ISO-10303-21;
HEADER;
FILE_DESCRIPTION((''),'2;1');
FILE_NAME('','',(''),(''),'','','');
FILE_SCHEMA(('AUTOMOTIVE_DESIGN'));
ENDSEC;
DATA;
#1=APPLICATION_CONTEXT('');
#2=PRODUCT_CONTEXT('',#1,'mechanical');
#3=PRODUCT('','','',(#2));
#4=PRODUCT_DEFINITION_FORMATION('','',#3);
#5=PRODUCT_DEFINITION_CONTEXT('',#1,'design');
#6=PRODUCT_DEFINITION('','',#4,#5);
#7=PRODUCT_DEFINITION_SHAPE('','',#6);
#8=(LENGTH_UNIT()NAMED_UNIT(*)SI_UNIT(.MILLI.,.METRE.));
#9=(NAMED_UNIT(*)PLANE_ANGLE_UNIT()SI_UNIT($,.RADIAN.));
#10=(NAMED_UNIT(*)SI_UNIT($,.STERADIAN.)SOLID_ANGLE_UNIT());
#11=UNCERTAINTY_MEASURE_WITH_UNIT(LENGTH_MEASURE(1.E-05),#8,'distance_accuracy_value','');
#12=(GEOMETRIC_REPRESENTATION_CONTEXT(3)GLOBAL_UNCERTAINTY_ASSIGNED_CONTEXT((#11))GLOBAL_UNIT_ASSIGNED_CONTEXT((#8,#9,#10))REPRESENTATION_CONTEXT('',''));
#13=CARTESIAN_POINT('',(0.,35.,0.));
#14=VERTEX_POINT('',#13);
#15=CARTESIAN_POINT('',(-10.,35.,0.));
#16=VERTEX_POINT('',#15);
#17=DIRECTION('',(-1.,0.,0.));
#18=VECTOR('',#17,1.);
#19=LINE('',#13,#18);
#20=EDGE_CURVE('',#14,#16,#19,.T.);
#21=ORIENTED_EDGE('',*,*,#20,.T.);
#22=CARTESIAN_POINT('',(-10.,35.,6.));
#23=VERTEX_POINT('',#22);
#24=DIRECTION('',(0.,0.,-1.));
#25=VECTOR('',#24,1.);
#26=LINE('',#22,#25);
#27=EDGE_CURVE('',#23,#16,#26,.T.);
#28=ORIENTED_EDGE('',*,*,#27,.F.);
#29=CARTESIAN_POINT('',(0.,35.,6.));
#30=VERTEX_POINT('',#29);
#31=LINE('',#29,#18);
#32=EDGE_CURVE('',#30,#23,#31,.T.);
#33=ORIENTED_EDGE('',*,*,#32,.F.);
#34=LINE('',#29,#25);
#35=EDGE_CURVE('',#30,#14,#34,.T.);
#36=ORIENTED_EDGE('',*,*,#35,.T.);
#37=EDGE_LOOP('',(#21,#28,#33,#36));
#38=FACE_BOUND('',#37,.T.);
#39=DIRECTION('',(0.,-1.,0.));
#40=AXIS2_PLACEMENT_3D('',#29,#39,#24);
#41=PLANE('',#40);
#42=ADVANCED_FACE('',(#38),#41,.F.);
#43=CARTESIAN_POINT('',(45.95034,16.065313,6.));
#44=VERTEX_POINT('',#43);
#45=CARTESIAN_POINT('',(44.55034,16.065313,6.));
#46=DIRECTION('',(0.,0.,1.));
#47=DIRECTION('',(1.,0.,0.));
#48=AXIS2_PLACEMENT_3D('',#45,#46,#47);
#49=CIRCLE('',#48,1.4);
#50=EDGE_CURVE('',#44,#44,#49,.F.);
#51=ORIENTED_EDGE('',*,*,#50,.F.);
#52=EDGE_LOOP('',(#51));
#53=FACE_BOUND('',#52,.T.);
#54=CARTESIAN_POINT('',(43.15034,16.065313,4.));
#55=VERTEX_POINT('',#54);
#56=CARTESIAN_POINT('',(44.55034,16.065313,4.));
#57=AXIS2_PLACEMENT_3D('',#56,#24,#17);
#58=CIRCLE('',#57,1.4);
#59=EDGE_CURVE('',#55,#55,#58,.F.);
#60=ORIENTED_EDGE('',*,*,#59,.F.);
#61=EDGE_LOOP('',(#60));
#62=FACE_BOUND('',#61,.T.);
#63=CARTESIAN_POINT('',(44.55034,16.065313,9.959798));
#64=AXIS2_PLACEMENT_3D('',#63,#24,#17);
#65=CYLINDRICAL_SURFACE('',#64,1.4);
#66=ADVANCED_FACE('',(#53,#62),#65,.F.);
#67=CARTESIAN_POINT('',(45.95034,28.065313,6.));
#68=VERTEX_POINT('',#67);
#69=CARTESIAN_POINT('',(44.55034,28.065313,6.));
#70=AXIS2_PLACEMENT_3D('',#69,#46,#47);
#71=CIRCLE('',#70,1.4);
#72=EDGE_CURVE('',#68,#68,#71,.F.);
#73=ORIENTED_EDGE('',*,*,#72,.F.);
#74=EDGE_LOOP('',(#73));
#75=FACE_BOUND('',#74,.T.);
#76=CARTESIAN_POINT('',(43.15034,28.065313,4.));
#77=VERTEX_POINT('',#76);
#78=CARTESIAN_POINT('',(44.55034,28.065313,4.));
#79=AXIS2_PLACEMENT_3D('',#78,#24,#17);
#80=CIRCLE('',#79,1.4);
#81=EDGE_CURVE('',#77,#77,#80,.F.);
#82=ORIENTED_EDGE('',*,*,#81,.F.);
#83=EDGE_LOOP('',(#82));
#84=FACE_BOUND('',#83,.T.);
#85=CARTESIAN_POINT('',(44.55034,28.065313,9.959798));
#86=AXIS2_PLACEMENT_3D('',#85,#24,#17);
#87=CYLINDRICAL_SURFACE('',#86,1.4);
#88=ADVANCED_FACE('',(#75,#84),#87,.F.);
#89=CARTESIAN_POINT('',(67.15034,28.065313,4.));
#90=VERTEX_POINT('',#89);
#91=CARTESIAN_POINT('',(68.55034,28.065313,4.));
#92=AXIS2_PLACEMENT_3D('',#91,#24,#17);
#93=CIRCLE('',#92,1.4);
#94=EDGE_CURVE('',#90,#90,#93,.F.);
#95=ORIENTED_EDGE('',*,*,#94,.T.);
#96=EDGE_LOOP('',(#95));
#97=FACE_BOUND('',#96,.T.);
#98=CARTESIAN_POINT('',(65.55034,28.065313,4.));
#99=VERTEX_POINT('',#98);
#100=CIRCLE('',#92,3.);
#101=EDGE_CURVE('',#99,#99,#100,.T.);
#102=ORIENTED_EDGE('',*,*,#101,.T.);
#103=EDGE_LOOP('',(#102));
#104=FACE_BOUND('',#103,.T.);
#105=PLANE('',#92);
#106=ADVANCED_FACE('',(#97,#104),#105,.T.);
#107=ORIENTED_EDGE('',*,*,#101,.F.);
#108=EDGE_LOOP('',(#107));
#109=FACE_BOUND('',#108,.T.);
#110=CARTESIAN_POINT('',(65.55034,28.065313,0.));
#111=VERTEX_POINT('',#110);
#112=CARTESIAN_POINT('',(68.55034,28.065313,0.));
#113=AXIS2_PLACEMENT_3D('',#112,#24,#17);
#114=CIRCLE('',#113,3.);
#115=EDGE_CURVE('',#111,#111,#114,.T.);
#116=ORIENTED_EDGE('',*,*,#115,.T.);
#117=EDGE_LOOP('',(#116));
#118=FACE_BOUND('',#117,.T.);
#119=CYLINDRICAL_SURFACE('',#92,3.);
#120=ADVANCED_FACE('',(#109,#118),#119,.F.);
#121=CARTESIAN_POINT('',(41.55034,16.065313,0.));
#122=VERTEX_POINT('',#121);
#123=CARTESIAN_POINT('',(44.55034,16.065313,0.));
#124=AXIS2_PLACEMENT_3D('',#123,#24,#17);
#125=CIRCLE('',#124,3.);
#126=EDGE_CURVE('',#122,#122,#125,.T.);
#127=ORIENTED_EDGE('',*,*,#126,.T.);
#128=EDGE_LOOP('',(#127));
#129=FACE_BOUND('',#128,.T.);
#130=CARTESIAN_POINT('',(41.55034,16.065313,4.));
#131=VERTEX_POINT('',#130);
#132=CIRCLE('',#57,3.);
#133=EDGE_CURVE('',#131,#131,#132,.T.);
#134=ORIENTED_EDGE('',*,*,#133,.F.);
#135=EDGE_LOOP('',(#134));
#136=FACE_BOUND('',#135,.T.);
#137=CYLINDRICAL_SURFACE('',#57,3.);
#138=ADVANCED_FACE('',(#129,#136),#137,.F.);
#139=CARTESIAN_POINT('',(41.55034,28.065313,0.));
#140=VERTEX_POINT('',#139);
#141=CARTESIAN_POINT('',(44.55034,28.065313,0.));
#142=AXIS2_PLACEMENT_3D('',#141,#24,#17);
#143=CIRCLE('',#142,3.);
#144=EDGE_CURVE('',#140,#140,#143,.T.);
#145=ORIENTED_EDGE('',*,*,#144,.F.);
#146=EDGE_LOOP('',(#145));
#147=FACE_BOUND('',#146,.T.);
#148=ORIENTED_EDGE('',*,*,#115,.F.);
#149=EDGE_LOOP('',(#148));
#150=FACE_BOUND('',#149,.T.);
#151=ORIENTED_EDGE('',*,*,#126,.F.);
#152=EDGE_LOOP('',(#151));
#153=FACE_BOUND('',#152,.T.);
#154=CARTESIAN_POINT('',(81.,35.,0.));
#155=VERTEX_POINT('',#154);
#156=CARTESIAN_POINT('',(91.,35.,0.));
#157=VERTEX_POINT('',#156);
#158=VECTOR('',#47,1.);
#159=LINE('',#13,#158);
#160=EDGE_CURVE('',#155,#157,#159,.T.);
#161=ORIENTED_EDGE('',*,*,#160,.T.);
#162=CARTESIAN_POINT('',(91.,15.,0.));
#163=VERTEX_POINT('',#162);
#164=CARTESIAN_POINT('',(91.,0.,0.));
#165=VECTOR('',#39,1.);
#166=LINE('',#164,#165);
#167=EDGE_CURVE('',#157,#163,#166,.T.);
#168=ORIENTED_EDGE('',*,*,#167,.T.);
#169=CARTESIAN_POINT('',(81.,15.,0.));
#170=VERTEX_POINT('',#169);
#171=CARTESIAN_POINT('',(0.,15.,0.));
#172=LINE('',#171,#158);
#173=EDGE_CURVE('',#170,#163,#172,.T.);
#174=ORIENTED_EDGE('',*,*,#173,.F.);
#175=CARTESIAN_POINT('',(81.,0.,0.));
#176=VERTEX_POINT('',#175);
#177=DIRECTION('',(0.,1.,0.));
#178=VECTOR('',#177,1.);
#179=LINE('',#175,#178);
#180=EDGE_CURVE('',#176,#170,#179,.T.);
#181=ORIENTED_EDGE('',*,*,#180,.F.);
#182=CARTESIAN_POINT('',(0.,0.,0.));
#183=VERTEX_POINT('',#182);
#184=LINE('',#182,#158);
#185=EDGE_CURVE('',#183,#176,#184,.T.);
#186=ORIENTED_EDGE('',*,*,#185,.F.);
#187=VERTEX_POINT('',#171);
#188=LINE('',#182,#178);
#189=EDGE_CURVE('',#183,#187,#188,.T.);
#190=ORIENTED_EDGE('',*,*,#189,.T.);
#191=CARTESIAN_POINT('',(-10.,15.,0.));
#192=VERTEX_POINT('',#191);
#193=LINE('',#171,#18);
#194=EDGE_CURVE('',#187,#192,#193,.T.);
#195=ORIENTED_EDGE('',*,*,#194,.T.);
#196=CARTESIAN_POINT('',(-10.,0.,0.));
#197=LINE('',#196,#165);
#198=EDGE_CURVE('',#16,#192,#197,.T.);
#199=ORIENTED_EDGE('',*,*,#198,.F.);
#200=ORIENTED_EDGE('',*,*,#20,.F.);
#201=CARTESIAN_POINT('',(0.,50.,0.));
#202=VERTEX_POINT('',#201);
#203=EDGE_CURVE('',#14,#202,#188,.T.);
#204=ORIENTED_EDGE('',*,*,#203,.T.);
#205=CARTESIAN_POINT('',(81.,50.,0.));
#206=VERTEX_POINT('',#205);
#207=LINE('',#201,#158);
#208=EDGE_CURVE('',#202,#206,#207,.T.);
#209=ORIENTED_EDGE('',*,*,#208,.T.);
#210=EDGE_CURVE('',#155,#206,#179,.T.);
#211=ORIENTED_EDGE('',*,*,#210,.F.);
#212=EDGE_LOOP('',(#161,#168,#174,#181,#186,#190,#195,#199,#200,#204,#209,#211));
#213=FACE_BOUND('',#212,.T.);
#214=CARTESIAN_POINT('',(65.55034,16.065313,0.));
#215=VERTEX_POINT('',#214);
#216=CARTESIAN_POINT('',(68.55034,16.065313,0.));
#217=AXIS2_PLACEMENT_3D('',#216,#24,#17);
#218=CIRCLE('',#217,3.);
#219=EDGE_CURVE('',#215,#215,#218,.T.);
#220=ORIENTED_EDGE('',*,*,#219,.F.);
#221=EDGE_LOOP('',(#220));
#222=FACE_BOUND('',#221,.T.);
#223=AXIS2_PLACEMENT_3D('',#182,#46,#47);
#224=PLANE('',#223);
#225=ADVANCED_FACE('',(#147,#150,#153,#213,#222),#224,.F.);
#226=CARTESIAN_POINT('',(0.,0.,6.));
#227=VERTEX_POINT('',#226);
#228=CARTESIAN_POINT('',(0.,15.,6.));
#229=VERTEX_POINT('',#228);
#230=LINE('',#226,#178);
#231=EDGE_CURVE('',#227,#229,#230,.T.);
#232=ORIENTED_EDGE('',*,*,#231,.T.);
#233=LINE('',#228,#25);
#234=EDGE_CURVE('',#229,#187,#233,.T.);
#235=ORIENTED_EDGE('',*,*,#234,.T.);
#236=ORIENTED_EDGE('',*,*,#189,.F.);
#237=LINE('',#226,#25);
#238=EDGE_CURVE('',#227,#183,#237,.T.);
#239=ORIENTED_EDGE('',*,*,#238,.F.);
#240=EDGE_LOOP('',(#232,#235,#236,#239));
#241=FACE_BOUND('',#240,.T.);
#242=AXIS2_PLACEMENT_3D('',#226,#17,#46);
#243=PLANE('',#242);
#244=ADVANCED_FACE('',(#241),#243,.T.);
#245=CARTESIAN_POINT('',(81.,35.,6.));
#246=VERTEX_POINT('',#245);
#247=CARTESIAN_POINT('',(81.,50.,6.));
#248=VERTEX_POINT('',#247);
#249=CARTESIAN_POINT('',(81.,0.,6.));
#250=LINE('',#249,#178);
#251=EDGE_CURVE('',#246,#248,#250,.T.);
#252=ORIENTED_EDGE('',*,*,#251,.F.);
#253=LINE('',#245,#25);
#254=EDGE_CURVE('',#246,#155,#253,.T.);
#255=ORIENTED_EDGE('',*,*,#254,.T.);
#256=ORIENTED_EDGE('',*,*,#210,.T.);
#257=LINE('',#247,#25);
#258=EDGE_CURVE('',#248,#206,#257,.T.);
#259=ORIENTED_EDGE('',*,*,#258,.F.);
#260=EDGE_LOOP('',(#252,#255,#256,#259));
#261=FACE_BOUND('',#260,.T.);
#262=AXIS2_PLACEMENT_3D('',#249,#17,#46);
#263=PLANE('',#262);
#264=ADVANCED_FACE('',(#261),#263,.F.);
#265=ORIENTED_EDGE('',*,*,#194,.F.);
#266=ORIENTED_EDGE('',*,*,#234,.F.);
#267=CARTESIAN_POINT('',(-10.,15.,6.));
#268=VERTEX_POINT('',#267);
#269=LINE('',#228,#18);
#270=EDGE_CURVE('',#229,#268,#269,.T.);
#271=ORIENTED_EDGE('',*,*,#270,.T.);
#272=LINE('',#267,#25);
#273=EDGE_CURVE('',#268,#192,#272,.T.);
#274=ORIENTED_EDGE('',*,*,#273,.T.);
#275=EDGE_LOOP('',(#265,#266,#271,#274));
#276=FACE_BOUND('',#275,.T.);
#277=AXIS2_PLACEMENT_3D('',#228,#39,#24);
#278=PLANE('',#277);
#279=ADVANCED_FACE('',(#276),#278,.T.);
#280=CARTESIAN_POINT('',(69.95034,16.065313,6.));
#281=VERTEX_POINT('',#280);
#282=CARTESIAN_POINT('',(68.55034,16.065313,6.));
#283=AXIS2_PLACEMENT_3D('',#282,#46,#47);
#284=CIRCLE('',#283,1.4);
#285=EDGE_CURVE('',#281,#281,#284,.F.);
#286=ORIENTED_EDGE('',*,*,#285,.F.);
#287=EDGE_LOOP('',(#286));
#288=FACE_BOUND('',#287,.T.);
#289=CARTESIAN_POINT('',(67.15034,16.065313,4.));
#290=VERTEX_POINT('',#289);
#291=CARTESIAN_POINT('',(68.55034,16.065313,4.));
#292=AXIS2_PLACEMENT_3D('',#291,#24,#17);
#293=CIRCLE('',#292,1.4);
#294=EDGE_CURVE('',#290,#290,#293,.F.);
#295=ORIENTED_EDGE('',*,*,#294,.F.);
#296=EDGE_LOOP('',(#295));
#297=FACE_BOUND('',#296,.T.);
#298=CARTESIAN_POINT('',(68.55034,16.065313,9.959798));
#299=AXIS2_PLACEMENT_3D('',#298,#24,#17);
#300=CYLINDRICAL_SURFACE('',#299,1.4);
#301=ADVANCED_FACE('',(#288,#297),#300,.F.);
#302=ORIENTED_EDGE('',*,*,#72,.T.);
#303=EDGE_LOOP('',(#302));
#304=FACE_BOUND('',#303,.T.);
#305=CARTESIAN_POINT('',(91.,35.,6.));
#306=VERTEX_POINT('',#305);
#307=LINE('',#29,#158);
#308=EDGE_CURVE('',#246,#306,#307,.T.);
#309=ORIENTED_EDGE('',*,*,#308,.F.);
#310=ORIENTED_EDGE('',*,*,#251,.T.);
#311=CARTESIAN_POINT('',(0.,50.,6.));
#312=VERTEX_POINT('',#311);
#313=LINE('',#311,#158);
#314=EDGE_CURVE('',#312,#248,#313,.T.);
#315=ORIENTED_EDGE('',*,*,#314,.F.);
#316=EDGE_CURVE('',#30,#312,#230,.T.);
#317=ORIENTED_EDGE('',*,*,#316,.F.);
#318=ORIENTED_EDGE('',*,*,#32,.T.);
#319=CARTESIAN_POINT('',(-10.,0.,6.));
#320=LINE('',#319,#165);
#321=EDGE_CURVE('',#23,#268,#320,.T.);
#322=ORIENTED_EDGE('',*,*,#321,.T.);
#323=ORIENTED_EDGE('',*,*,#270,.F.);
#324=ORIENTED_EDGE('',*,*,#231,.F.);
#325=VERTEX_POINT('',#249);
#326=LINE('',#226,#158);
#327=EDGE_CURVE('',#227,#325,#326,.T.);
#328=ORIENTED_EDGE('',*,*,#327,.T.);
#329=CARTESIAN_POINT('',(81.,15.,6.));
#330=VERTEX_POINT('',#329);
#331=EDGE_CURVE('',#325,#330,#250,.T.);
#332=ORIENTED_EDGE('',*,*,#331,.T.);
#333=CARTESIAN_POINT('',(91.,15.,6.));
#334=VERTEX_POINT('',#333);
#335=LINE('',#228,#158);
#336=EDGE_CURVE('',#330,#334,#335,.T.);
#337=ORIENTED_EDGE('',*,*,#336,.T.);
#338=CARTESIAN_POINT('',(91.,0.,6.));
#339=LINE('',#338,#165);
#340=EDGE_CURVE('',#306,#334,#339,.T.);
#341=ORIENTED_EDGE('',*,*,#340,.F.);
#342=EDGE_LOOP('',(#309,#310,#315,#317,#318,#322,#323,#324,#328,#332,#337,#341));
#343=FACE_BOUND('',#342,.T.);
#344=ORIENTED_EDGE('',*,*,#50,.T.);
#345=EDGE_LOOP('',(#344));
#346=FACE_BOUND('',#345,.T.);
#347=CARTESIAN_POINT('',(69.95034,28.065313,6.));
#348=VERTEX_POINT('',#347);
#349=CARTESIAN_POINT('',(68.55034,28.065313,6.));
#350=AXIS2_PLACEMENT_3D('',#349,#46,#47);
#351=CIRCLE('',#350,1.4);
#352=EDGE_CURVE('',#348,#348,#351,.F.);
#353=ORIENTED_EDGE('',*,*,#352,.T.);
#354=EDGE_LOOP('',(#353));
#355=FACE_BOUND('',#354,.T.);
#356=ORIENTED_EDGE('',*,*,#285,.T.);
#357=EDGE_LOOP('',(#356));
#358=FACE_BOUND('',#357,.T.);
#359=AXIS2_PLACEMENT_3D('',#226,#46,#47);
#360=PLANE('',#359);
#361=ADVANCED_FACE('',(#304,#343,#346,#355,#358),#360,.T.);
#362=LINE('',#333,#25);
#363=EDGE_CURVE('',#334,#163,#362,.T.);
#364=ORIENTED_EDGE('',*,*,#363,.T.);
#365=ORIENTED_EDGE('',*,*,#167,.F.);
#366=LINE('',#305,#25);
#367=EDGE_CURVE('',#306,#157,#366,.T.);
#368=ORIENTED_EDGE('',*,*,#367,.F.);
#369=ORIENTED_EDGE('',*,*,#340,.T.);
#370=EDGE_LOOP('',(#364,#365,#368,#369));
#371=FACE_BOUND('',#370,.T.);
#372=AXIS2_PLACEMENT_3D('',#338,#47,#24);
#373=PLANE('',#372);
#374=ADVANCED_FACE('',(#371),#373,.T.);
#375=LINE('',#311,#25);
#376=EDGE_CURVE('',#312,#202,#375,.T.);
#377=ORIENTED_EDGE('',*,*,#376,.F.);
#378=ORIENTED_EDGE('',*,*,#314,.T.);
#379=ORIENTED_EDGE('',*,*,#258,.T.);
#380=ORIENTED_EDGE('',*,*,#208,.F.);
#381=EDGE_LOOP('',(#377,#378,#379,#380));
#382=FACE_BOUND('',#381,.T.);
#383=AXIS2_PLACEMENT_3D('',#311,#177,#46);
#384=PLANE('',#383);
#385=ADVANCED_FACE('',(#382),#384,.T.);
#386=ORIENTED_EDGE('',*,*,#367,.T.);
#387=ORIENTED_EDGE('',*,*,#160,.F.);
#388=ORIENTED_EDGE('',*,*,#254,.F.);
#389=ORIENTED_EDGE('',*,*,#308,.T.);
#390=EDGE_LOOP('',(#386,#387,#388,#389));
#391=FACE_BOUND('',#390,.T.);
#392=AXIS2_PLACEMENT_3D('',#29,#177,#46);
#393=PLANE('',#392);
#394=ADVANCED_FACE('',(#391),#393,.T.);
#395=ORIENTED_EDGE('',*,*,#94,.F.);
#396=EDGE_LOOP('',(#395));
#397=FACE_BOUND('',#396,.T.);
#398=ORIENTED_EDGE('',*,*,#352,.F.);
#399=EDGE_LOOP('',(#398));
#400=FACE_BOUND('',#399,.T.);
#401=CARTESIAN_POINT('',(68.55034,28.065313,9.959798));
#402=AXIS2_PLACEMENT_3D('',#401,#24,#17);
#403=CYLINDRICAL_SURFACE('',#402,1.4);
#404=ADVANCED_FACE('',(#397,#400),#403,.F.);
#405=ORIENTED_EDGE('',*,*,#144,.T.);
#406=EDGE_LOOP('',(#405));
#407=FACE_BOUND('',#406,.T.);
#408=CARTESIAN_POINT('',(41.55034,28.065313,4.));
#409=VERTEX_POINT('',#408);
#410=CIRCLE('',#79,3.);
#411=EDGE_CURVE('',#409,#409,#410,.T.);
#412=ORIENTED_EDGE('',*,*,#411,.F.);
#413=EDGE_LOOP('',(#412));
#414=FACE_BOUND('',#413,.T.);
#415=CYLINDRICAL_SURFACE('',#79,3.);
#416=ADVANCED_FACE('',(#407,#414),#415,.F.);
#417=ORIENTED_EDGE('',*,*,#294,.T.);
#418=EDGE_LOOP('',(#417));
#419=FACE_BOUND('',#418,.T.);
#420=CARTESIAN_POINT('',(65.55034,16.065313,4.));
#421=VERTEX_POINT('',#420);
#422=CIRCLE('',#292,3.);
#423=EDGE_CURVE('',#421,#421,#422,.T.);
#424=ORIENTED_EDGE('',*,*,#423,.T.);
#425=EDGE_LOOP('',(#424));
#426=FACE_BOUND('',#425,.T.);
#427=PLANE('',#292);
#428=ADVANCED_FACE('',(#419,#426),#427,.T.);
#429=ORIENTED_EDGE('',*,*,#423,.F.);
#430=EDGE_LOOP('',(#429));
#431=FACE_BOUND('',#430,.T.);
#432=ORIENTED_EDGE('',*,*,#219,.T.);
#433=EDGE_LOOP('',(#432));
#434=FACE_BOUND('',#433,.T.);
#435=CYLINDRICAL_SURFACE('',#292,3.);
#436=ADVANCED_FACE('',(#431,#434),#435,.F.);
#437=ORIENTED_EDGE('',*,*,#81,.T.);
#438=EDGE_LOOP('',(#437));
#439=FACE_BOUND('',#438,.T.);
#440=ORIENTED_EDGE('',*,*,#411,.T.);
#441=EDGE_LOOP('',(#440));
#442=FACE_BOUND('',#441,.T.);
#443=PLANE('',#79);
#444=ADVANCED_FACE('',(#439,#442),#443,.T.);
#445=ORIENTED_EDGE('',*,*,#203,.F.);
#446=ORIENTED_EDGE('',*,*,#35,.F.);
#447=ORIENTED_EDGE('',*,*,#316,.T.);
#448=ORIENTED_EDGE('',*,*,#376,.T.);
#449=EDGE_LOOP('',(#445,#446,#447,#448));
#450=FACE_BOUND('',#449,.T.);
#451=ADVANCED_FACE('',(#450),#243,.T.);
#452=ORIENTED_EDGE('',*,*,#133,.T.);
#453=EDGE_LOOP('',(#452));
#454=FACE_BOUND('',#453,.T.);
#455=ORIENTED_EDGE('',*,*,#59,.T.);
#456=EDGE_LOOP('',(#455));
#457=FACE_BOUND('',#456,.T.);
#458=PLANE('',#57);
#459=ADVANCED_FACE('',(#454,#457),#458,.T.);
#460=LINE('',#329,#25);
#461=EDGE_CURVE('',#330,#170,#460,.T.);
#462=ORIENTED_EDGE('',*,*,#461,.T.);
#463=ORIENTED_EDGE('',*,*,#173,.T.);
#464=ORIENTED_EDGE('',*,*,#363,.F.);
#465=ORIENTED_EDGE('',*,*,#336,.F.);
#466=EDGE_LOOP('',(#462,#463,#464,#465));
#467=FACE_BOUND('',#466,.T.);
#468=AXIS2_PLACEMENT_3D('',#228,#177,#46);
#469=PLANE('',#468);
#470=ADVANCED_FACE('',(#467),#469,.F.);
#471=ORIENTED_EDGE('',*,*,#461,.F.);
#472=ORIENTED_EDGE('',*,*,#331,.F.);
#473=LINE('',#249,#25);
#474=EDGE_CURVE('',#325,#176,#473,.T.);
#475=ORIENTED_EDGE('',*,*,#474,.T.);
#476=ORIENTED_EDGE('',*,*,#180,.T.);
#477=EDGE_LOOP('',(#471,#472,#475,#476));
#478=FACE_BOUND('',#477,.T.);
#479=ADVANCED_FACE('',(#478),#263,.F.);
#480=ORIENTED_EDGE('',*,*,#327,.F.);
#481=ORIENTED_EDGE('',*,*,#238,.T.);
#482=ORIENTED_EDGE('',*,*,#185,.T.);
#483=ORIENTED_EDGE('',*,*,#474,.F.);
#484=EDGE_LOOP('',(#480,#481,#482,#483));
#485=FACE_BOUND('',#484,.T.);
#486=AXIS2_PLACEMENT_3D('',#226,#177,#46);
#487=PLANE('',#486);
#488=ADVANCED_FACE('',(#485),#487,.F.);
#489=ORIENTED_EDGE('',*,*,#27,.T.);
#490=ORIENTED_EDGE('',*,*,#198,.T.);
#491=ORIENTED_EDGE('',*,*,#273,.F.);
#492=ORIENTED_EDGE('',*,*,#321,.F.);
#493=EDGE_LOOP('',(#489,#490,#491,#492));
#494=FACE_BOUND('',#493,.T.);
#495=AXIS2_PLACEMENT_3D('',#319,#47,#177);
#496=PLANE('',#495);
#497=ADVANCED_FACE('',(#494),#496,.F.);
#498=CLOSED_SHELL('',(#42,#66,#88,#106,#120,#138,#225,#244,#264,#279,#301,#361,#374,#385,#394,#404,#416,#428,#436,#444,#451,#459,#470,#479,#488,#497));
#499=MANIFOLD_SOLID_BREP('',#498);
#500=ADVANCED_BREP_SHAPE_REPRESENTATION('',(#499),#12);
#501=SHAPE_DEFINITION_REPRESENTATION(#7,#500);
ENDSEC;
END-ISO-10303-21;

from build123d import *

# Parameters (mm, degrees)
ESQUISSE1_W             = 10
ESQUISSE1_H             = 20
ESQUISSE1_W_2           = 81
ESQUISSE1_H_2           = 50
BOSS_EXTRU_1_DEPTH      = 6
ESQUISSE2_R             = 1.4
ENL_V_MAT_EXTRU_1_DEPTH = 6
ESQUISSE3_R             = 3
ENL_V_MAT_EXTRU_2_DEPTH = 4


with BuildPart() as part:
    # Esquisse1 → Boss.-Extru.1 (new body)
    with BuildSketch(Plane.XY):
        with Locations((-5, 25)):
            Rectangle(ESQUISSE1_W, ESQUISSE1_H)
        with Locations((40.5, 25)):
            Rectangle(ESQUISSE1_W_2, ESQUISSE1_H_2)
        with Locations((86, 25)):
            Rectangle(ESQUISSE1_W, ESQUISSE1_H)
    extrude(amount=BOSS_EXTRU_1_DEPTH)

    # Esquisse2 → Enlèv. mat.-Extru.1 (cut)
    with BuildSketch(Plane(origin=(0, 0, 0), x_dir=(-1, 0, 0), z_dir=(0, 0, -1))):
        with Locations((-44.550340057, 16.065313345)):
            Circle(ESQUISSE2_R)
        with Locations((-44.550340057, 28.065313345)):
            Circle(ESQUISSE2_R)
        with Locations((-68.550340057, 28.065313345)):
            Circle(ESQUISSE2_R)
        with Locations((-68.550340057, 16.065313345)):
            Circle(ESQUISSE2_R)
    extrude(amount=-ENL_V_MAT_EXTRU_1_DEPTH, mode=Mode.SUBTRACT)

    # Esquisse3 → Enlèv. mat.-Extru.2 (cut)
    with BuildSketch(Plane(origin=(0, 0, 0), x_dir=(-1, 0, 0), z_dir=(0, 0, -1))):
        with Locations((-68.550340057, 28.065313345)):
            Circle(ESQUISSE3_R)
        with Locations((-44.550340057, 28.065313345)):
            Circle(ESQUISSE3_R)
        with Locations((-44.550340057, 16.065313345)):
            Circle(ESQUISSE3_R)
        with Locations((-68.550340057, 16.065313345)):
            Circle(ESQUISSE3_R)
    extrude(amount=-ENL_V_MAT_EXTRU_2_DEPTH, mode=Mode.SUBTRACT)


solid = part.part
